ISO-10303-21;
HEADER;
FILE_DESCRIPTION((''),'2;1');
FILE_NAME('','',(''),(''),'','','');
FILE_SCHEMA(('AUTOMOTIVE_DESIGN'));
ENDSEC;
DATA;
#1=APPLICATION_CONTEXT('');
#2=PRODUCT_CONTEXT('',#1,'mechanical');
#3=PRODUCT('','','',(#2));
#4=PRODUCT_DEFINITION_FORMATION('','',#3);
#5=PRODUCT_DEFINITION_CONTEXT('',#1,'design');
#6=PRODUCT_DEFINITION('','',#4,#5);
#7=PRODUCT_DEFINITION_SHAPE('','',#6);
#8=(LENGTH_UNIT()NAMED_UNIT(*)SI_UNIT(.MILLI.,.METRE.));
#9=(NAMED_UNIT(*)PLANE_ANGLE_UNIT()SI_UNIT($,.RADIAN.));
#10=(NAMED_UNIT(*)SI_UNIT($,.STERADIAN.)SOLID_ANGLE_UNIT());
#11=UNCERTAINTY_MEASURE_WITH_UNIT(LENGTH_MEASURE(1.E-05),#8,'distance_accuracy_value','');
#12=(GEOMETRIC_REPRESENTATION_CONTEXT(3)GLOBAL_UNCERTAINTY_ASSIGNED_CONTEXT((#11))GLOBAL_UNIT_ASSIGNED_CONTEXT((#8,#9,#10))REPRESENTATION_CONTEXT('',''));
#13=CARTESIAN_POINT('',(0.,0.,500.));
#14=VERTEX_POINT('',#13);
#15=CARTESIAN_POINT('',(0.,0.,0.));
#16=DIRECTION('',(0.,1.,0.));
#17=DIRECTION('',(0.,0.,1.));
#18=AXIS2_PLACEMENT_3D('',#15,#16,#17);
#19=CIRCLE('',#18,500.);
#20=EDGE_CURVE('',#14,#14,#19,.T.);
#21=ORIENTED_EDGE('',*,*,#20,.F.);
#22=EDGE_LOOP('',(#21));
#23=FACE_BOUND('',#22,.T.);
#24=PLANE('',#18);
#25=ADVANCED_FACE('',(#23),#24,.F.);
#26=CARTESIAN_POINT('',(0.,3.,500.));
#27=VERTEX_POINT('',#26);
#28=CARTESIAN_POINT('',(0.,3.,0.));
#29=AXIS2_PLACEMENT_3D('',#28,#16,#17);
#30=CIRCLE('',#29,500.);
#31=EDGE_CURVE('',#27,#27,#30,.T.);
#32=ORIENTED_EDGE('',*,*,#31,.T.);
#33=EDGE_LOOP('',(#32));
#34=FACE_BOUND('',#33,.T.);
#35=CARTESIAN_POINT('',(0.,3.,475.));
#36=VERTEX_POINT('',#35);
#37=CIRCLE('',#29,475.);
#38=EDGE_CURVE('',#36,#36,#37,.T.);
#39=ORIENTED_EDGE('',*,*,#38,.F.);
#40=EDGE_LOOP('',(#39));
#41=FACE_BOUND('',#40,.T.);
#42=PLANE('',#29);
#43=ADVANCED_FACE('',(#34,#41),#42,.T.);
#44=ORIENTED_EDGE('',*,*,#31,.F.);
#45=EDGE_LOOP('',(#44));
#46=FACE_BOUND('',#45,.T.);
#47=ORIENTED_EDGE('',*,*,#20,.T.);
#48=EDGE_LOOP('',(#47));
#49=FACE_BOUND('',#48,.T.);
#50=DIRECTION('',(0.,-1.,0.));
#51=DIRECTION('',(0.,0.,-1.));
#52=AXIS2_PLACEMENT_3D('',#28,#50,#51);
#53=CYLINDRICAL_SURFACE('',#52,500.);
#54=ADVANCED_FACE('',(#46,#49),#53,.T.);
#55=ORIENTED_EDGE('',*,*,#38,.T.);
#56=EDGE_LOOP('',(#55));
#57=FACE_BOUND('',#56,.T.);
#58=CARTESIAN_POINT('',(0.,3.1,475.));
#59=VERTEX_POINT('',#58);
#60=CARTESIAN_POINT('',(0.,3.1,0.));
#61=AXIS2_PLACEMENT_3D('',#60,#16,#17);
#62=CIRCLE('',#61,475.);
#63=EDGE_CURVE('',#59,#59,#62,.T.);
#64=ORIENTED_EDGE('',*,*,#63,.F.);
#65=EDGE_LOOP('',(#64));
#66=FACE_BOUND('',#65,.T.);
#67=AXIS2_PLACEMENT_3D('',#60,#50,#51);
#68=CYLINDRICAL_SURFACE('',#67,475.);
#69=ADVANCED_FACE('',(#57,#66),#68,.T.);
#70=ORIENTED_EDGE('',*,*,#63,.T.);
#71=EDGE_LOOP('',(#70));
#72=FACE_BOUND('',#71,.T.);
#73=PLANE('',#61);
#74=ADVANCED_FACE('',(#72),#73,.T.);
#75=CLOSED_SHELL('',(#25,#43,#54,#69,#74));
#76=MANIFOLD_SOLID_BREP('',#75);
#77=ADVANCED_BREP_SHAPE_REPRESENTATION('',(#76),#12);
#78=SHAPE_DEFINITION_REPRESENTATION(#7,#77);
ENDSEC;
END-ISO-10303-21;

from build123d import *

# Parameters (mm, degrees)
SKETCH1_R           = 500
BOSS_EXTRUDE2_DEPTH = 3
SKETCH3_R           = 475
BOSS_EXTRUDE4_DEPTH = 0.1


with BuildPart() as part:
    # Sketch1 → Boss-Extrude2 (new body)
    with BuildSketch(Plane(origin=(0, 0, 0), x_dir=(1, 0, 0), z_dir=(0, 1, 0))):
        with Locations(Location((0, 0, 0), (0, 0, 270))):
            Circle(SKETCH1_R)
    extrude(amount=BOSS_EXTRUDE2_DEPTH)

    # Sketch3 → Boss-Extrude4 (add)
    with BuildSketch(Plane(origin=(0, 3, 0), x_dir=(1, 0, 0), z_dir=(0, 1, 0))):
        with Locations(Location((0, 0, 0), (0, 0, 270))):
            Circle(SKETCH3_R)
    extrude(amount=BOSS_EXTRUDE4_DEPTH)


solid = part.part
